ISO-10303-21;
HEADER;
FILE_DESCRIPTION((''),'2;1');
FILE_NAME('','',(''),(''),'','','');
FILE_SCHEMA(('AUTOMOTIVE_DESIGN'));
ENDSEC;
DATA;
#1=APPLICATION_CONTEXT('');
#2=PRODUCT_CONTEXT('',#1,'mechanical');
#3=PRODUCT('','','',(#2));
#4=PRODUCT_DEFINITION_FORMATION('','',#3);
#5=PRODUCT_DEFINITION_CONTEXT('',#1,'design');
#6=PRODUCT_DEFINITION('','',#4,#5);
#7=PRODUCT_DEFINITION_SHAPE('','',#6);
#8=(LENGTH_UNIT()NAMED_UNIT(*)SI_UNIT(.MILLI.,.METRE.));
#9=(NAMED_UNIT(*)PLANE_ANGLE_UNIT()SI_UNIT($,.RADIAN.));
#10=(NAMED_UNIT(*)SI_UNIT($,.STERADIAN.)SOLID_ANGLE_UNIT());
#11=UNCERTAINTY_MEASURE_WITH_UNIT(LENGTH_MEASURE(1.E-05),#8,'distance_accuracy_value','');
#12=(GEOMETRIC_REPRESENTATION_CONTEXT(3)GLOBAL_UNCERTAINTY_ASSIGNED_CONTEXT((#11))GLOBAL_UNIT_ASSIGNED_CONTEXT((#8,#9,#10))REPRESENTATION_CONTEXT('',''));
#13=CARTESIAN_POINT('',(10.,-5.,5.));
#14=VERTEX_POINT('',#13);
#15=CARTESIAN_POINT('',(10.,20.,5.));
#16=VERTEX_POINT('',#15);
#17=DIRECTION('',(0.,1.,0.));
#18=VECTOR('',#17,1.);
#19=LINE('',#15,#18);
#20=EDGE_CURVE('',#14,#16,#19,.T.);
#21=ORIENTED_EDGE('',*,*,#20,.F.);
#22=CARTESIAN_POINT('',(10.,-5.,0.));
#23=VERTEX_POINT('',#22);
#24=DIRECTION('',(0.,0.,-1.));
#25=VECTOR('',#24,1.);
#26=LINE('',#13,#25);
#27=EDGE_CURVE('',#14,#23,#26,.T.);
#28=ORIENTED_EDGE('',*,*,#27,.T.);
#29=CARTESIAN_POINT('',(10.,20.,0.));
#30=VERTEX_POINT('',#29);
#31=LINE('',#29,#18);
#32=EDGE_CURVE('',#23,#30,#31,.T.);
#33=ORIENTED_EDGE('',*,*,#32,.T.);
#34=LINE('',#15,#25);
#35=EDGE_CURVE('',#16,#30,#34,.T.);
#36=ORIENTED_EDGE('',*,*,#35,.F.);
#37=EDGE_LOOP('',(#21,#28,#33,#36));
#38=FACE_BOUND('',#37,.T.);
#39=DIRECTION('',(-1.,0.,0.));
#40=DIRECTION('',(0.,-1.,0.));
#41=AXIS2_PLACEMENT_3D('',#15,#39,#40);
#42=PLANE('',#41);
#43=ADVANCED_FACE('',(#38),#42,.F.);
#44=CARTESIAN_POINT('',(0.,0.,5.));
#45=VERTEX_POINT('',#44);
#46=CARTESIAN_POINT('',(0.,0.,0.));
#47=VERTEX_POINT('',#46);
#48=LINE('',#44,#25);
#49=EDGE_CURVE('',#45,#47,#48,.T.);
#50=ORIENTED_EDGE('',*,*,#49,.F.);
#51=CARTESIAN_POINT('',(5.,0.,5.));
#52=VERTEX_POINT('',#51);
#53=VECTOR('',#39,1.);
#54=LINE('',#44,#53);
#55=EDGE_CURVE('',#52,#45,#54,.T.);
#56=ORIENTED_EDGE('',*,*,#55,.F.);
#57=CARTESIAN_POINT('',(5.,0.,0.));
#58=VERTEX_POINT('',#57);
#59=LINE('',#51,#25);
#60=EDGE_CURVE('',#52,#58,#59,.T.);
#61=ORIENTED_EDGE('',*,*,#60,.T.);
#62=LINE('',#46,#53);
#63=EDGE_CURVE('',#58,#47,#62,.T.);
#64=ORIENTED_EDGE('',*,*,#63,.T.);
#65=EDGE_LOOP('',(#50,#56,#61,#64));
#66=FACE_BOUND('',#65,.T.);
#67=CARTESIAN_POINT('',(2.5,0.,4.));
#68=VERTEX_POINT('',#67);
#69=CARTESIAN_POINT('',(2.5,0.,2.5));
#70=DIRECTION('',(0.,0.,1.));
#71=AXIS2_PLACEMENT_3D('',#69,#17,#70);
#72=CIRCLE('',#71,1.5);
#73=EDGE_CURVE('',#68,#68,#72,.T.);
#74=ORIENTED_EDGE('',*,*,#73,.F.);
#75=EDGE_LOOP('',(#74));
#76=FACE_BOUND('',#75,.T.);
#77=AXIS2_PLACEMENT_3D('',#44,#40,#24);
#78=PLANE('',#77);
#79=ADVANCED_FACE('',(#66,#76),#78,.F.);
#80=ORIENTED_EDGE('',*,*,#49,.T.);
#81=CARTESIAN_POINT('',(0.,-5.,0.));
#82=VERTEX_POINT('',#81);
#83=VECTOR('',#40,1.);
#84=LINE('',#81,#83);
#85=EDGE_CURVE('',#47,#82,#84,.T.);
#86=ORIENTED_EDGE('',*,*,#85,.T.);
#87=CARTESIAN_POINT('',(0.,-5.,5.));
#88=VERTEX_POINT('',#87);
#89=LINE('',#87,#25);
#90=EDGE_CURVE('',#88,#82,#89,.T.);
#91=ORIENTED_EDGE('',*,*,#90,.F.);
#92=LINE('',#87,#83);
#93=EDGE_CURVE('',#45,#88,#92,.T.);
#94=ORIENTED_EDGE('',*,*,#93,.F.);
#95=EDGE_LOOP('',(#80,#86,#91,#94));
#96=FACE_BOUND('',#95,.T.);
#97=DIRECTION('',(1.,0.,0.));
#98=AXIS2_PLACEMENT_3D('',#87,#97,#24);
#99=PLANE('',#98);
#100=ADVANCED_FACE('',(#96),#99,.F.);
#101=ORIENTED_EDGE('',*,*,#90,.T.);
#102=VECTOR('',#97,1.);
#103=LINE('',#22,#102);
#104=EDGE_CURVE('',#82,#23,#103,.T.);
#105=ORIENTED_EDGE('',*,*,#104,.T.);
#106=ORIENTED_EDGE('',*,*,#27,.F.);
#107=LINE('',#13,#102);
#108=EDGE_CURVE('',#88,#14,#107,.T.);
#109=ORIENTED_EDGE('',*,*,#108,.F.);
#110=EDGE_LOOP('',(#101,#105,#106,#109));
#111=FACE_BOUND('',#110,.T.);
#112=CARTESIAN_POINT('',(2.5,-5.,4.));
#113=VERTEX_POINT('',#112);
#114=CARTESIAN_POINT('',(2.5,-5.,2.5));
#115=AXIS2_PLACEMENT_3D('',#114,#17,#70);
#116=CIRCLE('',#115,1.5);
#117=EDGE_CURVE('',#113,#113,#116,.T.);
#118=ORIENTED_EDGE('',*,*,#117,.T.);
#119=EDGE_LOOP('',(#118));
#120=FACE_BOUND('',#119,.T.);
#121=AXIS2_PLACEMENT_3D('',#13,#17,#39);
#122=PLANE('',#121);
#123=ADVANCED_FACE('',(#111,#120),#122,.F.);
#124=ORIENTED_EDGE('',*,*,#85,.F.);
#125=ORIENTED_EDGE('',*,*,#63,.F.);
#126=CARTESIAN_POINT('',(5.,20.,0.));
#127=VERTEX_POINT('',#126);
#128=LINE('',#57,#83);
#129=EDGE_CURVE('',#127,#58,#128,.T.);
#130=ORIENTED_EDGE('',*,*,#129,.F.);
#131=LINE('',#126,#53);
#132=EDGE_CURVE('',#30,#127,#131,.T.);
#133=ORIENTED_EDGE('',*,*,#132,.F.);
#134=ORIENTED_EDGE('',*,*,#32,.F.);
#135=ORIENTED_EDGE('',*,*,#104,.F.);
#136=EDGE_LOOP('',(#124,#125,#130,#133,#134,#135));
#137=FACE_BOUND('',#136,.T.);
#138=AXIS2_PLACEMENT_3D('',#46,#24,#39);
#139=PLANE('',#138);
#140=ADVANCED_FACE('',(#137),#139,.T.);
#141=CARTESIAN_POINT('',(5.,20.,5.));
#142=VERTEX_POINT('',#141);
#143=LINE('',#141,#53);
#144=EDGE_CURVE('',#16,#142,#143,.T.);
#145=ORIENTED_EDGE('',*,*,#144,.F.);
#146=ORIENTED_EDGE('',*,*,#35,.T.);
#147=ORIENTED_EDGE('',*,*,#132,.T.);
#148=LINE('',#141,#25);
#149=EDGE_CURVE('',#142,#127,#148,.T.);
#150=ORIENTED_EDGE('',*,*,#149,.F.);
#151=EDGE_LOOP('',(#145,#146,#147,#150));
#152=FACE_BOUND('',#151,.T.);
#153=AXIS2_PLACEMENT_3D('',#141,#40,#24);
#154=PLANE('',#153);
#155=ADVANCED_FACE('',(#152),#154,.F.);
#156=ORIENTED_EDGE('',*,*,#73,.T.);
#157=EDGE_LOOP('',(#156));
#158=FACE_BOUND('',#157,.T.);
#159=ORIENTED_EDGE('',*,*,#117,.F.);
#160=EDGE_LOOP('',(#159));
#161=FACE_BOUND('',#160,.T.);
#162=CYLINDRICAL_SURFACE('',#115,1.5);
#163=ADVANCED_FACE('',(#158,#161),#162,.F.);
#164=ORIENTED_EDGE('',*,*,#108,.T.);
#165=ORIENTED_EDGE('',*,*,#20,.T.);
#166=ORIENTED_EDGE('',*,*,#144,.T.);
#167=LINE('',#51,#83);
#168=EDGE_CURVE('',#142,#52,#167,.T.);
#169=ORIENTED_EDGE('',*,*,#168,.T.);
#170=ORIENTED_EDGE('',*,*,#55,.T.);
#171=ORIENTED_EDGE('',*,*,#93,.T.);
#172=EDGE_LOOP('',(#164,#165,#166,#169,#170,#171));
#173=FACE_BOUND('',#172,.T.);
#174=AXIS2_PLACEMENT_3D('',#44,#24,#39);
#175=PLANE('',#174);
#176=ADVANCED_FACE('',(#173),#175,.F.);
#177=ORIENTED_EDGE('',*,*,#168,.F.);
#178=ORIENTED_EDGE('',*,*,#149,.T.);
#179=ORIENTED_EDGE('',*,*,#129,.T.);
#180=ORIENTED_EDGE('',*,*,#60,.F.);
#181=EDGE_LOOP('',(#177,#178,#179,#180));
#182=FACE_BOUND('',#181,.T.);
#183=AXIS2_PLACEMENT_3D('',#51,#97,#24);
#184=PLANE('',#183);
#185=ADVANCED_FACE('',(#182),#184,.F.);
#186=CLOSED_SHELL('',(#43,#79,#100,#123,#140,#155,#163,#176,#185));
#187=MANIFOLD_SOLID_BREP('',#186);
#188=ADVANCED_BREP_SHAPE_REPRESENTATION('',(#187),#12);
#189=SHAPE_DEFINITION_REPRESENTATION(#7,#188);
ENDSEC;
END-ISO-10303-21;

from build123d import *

# Parameters (mm, degrees)
BOSS_EXTRUDE1_DEPTH = 5
SKETCH2_R           = 1.5
CUT_EXTRUDE1_DEPTH  = 23.912878475


with BuildPart() as part:
    # Sketch1 → Boss-Extrude1 (new body)
    with BuildSketch(Plane.XY):
        Polygon((0, 0), (5, 0), (5, 20), (10, 20), (10, -5), (0, -5), align=None)
    extrude(amount=BOSS_EXTRUDE1_DEPTH)

    # Sketch2 → Cut-Extrude1 (cut, through all)
    with BuildSketch(Plane(origin=(0, 0, 0), x_dir=(1, 0, 0), z_dir=(0, 1, 0))):
        with Locations(Location((2.5, -2.5, 0), (0, 0, 270))):
            Circle(SKETCH2_R)
    extrude(amount=-CUT_EXTRUDE1_DEPTH, mode=Mode.SUBTRACT)


solid = part.part
